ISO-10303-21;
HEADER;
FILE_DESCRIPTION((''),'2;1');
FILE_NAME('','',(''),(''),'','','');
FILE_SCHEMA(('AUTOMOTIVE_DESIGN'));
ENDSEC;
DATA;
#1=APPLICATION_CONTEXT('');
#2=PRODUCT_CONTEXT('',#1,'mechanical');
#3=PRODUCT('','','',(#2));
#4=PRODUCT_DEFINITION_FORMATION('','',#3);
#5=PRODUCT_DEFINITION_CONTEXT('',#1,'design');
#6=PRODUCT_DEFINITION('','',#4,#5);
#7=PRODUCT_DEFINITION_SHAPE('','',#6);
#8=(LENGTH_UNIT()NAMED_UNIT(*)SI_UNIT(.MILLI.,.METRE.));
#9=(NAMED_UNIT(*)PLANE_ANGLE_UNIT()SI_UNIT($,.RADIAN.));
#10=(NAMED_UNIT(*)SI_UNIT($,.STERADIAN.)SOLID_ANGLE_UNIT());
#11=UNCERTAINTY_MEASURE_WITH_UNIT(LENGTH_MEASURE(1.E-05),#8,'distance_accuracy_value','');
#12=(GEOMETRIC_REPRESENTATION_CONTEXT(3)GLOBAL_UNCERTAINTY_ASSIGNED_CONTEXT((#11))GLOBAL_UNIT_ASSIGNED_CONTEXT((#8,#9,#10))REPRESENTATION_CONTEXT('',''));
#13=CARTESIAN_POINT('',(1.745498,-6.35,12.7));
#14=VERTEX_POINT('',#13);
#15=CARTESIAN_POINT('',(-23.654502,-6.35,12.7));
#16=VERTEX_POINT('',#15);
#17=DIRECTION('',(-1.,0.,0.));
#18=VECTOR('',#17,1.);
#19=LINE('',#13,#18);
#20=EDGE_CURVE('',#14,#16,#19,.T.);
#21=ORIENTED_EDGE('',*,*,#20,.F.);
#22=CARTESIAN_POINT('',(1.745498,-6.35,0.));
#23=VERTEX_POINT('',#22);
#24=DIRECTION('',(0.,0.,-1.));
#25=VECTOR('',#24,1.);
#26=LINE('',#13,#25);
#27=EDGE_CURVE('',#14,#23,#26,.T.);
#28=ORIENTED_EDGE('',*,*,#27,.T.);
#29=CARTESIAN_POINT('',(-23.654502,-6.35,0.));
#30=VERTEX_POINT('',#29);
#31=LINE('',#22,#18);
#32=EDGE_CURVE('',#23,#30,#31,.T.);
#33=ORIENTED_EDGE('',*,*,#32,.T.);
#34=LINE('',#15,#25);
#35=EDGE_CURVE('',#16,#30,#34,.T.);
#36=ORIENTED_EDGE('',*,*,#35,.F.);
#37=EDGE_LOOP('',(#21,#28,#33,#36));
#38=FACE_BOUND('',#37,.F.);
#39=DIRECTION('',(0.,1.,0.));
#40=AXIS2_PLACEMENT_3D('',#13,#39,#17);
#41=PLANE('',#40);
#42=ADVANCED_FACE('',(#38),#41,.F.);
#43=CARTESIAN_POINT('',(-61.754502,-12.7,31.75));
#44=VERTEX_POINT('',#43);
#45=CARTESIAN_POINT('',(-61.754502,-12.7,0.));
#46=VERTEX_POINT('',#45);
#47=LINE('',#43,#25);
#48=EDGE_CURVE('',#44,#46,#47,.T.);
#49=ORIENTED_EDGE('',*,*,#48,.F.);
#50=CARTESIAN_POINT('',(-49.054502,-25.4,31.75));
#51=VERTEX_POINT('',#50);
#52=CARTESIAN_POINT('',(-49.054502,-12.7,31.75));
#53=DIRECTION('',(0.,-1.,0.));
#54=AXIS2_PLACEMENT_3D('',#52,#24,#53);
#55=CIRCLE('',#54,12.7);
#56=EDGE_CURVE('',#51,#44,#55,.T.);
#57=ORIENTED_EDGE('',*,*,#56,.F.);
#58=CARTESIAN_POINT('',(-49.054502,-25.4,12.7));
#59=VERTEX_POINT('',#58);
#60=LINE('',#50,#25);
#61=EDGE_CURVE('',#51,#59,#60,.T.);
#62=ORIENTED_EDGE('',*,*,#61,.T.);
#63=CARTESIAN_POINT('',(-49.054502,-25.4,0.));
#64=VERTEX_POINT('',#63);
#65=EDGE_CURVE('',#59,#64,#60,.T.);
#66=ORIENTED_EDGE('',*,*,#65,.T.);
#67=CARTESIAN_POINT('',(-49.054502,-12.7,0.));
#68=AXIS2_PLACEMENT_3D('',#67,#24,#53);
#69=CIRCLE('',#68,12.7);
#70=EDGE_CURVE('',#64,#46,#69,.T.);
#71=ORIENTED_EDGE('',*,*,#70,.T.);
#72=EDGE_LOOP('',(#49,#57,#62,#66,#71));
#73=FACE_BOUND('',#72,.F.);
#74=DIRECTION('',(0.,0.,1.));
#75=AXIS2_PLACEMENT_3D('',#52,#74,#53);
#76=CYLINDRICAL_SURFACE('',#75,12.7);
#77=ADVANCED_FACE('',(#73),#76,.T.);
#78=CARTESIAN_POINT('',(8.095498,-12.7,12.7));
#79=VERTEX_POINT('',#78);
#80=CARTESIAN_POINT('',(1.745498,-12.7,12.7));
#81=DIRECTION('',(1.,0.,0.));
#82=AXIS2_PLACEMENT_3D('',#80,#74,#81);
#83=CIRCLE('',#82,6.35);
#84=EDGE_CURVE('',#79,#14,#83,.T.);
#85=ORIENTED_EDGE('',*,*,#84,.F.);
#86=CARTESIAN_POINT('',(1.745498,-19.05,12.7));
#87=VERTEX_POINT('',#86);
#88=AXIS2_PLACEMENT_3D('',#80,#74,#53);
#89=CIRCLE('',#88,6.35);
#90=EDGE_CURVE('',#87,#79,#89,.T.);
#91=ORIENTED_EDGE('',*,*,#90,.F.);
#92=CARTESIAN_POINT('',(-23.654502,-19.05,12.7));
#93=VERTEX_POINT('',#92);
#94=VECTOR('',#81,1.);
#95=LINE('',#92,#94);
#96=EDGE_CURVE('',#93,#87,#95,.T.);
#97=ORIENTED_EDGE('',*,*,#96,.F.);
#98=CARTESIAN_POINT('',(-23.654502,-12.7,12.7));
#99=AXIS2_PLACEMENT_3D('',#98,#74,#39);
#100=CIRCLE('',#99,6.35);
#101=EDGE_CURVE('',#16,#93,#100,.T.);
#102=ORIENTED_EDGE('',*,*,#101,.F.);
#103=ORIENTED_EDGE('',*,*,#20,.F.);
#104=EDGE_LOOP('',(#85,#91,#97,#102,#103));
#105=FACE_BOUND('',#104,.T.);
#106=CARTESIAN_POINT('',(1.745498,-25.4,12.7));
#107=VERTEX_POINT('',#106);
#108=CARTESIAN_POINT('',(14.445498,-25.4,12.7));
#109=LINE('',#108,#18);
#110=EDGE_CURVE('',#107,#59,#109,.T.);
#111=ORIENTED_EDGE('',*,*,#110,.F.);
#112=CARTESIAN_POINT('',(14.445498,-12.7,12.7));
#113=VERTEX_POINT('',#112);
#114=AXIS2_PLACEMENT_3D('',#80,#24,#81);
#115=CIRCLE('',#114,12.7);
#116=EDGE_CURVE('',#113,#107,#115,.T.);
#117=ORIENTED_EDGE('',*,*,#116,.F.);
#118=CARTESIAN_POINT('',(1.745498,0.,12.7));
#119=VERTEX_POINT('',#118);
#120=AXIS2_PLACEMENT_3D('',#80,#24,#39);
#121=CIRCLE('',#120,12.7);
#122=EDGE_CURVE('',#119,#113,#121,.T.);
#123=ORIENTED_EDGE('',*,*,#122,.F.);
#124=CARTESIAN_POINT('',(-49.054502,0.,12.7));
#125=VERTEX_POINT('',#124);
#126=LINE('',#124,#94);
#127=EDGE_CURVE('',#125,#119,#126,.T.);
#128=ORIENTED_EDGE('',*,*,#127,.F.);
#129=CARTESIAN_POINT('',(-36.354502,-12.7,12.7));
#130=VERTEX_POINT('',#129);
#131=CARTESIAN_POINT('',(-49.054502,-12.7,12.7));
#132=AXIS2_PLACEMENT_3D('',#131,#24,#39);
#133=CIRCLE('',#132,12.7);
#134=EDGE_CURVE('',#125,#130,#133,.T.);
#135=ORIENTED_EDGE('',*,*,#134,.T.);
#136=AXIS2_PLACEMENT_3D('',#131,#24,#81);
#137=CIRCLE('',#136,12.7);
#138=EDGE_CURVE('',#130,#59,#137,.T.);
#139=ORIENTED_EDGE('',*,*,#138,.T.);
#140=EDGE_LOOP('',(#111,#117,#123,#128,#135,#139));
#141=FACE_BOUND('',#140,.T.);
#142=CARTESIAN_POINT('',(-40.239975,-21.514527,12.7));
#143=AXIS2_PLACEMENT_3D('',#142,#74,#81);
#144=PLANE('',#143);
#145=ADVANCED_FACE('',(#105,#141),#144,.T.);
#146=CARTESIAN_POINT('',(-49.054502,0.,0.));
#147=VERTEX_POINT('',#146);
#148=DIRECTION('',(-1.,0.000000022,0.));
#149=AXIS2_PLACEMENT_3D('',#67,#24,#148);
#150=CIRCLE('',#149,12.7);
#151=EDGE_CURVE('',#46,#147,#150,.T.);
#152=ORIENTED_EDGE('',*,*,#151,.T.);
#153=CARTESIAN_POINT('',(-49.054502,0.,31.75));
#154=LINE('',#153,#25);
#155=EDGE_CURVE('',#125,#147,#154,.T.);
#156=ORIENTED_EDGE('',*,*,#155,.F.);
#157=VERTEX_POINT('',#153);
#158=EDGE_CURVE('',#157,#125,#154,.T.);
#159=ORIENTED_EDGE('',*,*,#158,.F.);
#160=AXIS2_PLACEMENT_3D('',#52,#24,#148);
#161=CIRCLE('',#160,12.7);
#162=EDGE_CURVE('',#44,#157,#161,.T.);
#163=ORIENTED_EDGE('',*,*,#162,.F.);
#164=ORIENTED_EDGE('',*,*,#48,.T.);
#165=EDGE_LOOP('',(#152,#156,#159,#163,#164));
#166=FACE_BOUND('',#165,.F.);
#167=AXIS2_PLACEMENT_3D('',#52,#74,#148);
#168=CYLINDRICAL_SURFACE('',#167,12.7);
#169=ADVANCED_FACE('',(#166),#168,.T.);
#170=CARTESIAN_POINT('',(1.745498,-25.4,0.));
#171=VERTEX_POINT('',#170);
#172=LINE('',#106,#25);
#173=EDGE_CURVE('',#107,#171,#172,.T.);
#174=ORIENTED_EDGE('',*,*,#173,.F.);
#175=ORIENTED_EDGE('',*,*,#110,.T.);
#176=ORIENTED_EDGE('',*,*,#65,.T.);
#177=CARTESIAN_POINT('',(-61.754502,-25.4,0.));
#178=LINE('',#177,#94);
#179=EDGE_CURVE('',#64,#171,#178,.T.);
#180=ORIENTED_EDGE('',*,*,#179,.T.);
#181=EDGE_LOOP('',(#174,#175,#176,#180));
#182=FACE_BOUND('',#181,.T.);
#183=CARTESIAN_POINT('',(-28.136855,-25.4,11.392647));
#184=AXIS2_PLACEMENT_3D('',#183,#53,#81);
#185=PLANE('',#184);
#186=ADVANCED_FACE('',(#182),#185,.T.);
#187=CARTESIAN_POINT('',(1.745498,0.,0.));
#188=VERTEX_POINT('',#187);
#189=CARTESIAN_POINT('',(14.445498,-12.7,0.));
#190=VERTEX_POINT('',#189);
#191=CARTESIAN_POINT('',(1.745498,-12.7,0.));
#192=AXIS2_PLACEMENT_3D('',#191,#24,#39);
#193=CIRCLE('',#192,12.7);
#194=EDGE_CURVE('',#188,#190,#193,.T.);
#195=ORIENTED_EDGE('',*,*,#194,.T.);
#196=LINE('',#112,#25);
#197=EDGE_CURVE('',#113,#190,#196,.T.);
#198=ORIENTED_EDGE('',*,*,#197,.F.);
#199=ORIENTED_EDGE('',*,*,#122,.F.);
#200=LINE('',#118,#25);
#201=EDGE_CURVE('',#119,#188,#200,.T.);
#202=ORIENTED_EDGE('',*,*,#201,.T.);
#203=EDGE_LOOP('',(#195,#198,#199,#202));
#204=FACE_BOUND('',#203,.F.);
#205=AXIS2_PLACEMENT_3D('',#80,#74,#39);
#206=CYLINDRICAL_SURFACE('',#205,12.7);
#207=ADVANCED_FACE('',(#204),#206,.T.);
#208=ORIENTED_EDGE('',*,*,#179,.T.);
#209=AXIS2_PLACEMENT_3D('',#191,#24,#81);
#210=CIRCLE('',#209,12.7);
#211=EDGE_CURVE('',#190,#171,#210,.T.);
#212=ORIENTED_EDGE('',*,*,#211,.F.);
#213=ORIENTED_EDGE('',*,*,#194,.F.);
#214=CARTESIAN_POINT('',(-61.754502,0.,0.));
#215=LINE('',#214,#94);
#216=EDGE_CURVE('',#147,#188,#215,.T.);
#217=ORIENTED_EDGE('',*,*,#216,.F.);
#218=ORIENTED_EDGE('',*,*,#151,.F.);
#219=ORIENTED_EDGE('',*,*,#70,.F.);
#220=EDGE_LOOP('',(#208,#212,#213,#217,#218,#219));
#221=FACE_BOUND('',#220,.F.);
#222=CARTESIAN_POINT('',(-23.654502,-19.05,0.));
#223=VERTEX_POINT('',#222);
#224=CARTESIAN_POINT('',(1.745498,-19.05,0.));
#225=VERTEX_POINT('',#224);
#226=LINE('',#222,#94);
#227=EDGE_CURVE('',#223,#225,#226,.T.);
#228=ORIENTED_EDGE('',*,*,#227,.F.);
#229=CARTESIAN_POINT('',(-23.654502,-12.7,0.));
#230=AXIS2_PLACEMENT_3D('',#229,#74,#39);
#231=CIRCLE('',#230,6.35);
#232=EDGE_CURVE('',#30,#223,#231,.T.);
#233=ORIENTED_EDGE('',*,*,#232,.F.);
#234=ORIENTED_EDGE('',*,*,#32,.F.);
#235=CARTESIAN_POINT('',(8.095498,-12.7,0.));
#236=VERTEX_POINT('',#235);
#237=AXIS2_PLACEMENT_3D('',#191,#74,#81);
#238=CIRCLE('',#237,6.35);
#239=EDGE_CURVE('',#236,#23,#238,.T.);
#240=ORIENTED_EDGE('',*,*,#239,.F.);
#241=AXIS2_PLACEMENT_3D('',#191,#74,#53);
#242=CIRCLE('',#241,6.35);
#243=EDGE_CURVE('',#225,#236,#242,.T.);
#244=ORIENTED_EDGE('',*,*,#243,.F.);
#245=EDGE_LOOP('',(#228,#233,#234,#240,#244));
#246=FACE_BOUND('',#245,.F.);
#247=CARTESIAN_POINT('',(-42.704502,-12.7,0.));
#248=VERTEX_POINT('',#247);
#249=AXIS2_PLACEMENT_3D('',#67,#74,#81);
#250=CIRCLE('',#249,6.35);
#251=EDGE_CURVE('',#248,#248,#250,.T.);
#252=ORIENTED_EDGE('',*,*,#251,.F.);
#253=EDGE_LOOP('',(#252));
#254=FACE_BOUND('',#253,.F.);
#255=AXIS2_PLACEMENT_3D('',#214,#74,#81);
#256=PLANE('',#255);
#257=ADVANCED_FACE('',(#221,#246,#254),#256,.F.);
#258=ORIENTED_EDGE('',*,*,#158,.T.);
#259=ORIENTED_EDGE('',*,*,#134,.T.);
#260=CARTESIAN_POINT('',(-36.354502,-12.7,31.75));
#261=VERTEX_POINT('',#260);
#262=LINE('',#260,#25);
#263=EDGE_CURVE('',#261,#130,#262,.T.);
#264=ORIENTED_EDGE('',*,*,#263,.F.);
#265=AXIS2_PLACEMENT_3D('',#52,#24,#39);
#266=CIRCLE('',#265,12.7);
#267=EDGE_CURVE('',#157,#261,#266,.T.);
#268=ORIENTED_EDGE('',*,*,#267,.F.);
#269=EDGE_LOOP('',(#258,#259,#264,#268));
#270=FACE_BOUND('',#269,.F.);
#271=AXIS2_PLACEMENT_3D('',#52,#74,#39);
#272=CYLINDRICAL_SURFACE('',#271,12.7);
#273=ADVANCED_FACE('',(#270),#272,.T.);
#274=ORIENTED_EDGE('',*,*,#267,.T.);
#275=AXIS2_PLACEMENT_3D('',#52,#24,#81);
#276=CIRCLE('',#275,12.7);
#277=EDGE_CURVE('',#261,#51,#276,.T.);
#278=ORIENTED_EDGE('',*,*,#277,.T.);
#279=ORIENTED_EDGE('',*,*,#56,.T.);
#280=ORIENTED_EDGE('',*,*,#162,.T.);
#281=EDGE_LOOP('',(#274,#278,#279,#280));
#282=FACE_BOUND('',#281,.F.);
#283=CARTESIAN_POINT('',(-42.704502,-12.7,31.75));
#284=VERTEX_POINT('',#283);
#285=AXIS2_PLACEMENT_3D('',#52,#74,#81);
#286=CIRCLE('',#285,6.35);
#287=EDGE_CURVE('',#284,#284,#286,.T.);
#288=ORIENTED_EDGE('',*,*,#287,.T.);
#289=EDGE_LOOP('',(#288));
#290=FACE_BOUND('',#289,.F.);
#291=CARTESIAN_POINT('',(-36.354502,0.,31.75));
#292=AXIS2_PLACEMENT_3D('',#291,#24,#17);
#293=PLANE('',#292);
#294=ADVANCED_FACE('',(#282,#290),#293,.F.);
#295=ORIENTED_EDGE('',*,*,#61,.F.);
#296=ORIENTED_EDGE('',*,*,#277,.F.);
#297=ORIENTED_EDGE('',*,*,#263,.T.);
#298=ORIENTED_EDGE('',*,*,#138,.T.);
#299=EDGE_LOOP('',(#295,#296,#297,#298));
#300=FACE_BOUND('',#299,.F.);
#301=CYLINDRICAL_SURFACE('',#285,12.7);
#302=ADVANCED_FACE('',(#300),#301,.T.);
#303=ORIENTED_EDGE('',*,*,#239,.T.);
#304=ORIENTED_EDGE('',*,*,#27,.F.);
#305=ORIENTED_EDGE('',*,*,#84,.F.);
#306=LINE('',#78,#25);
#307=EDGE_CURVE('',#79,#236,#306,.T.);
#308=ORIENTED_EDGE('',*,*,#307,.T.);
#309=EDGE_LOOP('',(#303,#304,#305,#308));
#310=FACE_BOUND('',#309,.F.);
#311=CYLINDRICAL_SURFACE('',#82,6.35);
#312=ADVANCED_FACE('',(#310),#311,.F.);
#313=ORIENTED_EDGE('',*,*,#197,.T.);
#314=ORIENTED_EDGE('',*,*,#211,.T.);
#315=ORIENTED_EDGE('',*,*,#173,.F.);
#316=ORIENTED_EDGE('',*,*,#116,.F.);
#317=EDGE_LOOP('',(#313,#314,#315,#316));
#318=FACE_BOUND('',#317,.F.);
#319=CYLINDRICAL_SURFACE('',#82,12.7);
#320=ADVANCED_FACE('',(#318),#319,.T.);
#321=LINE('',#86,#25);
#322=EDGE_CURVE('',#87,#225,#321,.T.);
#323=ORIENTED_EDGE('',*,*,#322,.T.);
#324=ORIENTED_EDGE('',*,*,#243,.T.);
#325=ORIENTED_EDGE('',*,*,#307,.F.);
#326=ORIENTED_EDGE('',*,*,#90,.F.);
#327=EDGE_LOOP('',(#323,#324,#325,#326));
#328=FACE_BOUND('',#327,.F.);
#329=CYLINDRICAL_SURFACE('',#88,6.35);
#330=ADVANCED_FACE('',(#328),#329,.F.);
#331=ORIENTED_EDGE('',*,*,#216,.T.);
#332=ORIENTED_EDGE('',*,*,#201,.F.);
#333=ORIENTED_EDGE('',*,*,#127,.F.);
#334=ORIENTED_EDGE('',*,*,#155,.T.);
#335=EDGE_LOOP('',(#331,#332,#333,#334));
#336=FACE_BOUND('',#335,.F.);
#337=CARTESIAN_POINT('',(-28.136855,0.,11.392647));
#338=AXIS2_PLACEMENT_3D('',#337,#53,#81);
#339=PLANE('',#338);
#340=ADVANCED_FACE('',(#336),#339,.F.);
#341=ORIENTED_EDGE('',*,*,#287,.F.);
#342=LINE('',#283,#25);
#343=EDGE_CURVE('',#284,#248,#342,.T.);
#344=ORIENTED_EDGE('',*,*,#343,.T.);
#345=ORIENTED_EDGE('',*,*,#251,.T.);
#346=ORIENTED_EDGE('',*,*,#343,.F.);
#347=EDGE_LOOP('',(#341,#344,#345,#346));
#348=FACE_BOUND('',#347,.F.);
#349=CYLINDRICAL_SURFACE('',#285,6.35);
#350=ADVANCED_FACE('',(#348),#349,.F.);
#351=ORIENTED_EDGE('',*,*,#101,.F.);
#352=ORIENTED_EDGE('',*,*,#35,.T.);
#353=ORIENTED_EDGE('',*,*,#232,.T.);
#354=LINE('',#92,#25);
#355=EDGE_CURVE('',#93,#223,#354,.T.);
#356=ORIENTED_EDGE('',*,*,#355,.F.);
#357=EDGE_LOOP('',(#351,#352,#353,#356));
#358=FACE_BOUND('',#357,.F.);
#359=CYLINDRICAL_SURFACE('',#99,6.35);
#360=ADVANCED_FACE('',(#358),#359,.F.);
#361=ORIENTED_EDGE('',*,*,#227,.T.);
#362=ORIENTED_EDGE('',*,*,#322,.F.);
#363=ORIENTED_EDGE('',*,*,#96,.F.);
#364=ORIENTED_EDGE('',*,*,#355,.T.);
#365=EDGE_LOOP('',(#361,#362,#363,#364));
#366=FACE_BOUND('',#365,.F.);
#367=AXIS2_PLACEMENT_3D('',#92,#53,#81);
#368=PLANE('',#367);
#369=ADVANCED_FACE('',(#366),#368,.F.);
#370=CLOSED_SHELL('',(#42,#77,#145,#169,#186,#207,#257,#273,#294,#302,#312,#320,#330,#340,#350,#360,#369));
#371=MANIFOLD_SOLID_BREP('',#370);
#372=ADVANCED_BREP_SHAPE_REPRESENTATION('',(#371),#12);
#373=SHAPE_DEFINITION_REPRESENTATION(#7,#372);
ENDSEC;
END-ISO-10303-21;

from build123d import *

# Parameters (mm, degrees)
F1_DEPTH  = 25.4
F2_R      = 6.35
F3_DEPTH  = 57.15
F5_DEPTH  = 31.75
F7_DEPTH  = 19.05
F9_DEPTH  = 12.7
F11_DEPTH = 12.7


with BuildPart() as f1:
    # F0 (on Front) → F1 (new body)
    with BuildSketch(Plane.XZ):
        Polygon((-36.3545019062, 31.75), (-61.7545019062, 31.75), (-61.7545019062, 0), (14.4454980938, 0), (14.4454980938, 12.7), (-36.3545019062, 12.7), align=None)
    extrude(amount=F1_DEPTH)

    # F2 (on face) → F3 (cut)
    with BuildSketch(Plane.XY.offset(31.75)):
        with Locations((-49.0545019062, -12.7)):
            Circle(F2_R)
    extrude(amount=-F3_DEPTH, mode=Mode.SUBTRACT)

    # F4 (on face) → F5 (cut)
    with BuildSketch(Plane.XY.offset(31.75)):
        with BuildLine():
            ThreePointArc((-61.7545019062, -12.6999997152), (-58.0347579265, -3.7197437782), (-49.0545019062, 0))
            Line((-49.0545019062, 0), (-61.7545019062, 0))
            Line((-61.7545019062, 0), (-61.7545019062, -12.6999997152))
        make_face()
        with BuildLine():
            Line((-61.7545019062, -25.4), (-49.0545019062, -25.4))
            ThreePointArc((-49.0545019062, -25.4), (-58.0347581279, -21.6802560204), (-61.7545019062, -12.6999997152))
            Line((-61.7545019062, -12.6999997152), (-61.7545019062, -25.4))
        make_face()
    extrude(amount=-F5_DEPTH, mode=Mode.SUBTRACT)

    # F6 (on face) → F7 (cut)
    with BuildSketch(Plane.XY.offset(31.75)):
        with BuildLine():
            ThreePointArc((-49.0545019062, 0), (-40.0742457851, -3.7197438789), (-36.3545019062, -12.7))
            Line((-36.3545019062, -12.7), (-36.3545019062, 0))
            Line((-36.3545019062, 0), (-49.0545019062, 0))
        make_face()
        with BuildLine():
            Line((-36.3545019062, -25.4), (-36.3545019062, -12.7))
            ThreePointArc((-36.3545019062, -12.7), (-40.0742457851, -21.6802561211), (-49.0545019062, -25.4))
            Line((-49.0545019062, -25.4), (-36.3545019062, -25.4))
        make_face()
    extrude(amount=-F7_DEPTH, mode=Mode.SUBTRACT)

    # F8 (on face) → F9 (cut)
    with BuildSketch(Plane.XY.offset(12.7)):
        with BuildLine():
            ThreePointArc((-23.6545019062, -19.05), (-19.1643738456, -17.1901280605), (-17.3045019062, -12.7))
            ThreePointArc((-17.3045019062, -12.7), (-19.1643738456, -8.2098719395), (-23.6545019062, -6.35))
            ThreePointArc((-23.6545019062, -6.35), (-30.0045019062, -12.7), (-23.6545019062, -19.05))
        make_face()
        with BuildLine():
            ThreePointArc((-23.6545019062, -6.35), (-19.1643738456, -8.2098719395), (-17.3045019062, -12.7))
            ThreePointArc((-17.3045019062, -12.7), (-19.1643738456, -17.1901280605), (-23.6545019062, -19.05))
            Line((-23.6545019062, -19.05), (1.7454980938, -19.05))
            ThreePointArc((1.7454980938, -19.05), (-4.6045019062, -12.7), (1.7454980938, -6.35))
            Line((1.7454980938, -6.35), (-23.6545019062, -6.35))
        make_face()
        with BuildLine():
            ThreePointArc((8.0954980938, -12.7), (6.2356261544, -8.2098719395), (1.7454980938, -6.35))
            ThreePointArc((1.7454980938, -6.35), (-4.6045019062, -12.7), (1.7454980938, -19.05))
            ThreePointArc((1.7454980938, -19.05), (6.2356261544, -17.1901280605), (8.0954980938, -12.7))
        make_face()
    extrude(amount=-F9_DEPTH, mode=Mode.SUBTRACT)

    # F10 (on face) → F11 (cut)
    with BuildSketch(Plane.XY.offset(12.7)):
        with BuildLine():
            ThreePointArc((1.7454980938, 0), (10.7257542149, -3.7197438789), (14.4454980938, -12.7))
            Line((14.4454980938, -12.7), (14.4454980938, 0))
            Line((14.4454980938, 0), (1.7454980938, 0))
        make_face()
        with BuildLine():
            Line((14.4454980938, -25.4), (14.4454980938, -12.7))
            ThreePointArc((14.4454980938, -12.7), (10.7257542149, -21.6802561211), (1.7454980938, -25.4))
            Line((1.7454980938, -25.4), (14.4454980938, -25.4))
        make_face()
    extrude(amount=-F11_DEPTH, mode=Mode.SUBTRACT)


solid = f1.part
